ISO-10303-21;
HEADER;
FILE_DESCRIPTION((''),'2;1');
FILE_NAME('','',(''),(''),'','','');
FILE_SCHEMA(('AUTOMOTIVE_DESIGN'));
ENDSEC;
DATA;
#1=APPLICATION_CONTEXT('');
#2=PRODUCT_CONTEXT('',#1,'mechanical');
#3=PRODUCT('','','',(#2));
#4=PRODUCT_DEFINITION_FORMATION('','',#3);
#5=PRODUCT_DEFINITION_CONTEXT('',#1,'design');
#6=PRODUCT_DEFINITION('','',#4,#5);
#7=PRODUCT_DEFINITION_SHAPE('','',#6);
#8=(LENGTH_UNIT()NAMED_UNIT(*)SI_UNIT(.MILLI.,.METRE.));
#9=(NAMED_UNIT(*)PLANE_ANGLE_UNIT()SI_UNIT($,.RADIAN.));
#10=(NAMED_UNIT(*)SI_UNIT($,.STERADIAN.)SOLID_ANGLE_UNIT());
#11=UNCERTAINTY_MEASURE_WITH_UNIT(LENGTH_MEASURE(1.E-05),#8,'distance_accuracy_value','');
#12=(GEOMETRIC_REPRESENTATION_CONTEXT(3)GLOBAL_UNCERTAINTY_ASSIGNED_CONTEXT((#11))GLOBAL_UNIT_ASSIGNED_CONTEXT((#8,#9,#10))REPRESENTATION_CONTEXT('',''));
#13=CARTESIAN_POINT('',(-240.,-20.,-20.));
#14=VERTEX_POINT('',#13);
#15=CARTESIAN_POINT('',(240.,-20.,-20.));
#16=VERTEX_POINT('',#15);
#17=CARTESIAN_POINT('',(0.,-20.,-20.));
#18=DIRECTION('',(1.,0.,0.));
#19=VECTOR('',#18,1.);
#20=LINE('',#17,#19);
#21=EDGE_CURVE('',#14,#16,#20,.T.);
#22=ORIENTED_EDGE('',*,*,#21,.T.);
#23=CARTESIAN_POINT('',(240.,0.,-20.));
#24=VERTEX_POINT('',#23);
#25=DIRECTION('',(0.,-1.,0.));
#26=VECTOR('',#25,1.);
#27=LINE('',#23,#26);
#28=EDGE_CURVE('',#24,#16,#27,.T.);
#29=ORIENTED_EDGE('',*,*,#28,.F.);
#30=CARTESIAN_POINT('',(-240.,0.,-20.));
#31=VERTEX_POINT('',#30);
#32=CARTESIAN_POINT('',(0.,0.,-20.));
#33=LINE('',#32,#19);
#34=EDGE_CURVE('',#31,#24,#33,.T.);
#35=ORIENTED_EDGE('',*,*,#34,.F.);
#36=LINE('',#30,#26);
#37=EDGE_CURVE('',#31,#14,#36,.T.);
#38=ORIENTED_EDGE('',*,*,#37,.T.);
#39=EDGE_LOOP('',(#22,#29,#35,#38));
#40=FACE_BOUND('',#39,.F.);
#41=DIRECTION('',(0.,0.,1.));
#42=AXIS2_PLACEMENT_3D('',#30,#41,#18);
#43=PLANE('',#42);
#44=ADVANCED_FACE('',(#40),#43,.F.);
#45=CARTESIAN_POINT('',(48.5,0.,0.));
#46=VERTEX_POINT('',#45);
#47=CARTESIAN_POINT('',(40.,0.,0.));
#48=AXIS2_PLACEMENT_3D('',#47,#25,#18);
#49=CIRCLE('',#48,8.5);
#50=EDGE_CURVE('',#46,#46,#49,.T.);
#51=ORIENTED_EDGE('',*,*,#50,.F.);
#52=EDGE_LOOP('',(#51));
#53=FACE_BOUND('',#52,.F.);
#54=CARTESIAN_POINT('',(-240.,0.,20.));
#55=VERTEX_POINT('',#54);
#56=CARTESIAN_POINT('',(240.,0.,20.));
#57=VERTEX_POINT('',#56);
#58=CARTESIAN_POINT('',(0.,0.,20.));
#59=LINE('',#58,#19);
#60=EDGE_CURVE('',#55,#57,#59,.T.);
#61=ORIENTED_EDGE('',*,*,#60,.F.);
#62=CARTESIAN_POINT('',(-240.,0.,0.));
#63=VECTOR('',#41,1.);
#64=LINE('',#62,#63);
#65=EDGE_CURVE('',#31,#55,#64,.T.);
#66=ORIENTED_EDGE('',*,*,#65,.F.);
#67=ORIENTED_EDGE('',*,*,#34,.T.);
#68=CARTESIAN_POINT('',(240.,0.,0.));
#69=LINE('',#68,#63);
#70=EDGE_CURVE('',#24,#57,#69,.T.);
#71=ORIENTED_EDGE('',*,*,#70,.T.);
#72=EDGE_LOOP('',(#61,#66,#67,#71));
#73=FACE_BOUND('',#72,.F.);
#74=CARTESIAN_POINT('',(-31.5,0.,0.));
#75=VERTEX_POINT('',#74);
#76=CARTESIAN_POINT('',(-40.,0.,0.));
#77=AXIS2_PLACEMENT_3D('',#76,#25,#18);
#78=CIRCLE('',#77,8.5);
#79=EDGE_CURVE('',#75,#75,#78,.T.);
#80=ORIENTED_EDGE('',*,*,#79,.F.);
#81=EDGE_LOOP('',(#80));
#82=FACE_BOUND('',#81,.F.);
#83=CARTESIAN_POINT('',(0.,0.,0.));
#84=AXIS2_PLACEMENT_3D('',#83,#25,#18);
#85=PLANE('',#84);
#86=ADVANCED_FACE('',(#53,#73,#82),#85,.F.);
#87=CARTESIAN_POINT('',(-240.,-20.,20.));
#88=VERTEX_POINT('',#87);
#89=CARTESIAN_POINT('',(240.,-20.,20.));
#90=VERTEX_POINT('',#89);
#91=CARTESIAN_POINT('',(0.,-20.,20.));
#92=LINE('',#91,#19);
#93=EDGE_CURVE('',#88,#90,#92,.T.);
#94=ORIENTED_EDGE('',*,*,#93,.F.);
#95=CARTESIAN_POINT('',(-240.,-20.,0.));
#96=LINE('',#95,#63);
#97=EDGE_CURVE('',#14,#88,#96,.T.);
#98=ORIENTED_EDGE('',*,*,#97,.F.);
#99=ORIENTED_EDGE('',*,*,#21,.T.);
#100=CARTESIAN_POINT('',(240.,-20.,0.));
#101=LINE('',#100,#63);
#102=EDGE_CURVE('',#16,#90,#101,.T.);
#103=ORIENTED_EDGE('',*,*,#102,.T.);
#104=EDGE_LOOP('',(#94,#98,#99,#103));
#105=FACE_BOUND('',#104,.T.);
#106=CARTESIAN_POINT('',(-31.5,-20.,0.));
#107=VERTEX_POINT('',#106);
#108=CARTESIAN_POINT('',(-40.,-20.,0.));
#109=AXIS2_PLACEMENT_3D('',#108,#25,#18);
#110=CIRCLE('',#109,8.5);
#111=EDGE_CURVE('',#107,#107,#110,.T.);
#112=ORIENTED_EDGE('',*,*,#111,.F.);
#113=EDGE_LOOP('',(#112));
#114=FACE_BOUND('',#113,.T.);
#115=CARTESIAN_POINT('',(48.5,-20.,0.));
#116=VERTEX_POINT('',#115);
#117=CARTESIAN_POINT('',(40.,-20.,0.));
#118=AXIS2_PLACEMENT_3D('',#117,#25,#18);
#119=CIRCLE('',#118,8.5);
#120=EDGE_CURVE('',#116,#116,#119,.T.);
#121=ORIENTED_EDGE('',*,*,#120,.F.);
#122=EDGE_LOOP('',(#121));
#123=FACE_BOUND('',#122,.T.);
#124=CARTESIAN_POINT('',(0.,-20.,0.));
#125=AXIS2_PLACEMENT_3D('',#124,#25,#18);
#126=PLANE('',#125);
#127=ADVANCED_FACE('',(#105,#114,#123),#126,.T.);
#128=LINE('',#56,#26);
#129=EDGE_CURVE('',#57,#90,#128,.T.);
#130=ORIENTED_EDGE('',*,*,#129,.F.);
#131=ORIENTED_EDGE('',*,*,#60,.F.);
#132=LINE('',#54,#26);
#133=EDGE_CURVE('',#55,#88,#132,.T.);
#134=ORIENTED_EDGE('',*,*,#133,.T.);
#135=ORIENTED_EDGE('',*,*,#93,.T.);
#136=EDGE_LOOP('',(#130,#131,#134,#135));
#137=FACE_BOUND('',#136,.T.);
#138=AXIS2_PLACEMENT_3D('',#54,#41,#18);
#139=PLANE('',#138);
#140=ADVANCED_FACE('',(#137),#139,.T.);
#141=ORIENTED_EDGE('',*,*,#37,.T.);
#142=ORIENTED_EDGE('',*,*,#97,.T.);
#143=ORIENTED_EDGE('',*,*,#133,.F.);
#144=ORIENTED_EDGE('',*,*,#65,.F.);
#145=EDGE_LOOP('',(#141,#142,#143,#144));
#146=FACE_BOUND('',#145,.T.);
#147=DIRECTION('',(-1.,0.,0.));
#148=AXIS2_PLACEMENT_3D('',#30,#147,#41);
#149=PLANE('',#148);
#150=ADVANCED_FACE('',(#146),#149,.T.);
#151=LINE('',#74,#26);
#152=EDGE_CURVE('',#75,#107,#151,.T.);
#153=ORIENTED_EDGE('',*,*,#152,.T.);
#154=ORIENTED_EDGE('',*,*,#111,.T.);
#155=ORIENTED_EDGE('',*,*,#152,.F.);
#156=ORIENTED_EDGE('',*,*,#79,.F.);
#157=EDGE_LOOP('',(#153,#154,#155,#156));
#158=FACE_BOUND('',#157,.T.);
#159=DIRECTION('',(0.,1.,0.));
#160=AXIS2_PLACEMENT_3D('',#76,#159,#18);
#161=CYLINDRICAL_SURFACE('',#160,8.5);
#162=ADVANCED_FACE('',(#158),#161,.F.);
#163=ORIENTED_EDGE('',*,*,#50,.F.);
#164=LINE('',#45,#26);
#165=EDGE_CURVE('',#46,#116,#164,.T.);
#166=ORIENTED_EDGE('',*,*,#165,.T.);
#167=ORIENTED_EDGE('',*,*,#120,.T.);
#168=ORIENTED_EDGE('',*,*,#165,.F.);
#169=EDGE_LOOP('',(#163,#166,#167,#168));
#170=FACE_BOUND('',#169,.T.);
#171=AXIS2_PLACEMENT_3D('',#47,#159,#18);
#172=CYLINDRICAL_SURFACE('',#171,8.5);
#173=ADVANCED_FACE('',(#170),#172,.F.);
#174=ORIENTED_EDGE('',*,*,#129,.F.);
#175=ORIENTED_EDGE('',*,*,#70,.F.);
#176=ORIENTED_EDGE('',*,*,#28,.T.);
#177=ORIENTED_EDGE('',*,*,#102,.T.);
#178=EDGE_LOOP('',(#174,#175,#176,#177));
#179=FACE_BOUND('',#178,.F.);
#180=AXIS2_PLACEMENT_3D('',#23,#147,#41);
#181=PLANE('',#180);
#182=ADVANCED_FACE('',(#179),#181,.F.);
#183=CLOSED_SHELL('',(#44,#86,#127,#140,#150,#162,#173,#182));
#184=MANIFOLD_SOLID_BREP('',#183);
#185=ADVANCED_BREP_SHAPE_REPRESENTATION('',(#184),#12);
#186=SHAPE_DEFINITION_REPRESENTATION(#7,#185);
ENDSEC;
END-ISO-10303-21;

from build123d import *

# Parameters (mm, degrees)
SKETCH_W  = 480
SKETCH_H  = 40
SKETCH_R  = 8.5
PAD_DEPTH = 20


with BuildPart() as part:
    # Sketch → Pad (new body)
    with BuildSketch(Plane.XZ):
        Rectangle(SKETCH_W, SKETCH_H)
        with Locations((-40, 0)):
            Circle(SKETCH_R, mode=Mode.SUBTRACT)
        with Locations((40, 0)):
            Circle(SKETCH_R, mode=Mode.SUBTRACT)
    extrude(amount=PAD_DEPTH)


solid = part.part
